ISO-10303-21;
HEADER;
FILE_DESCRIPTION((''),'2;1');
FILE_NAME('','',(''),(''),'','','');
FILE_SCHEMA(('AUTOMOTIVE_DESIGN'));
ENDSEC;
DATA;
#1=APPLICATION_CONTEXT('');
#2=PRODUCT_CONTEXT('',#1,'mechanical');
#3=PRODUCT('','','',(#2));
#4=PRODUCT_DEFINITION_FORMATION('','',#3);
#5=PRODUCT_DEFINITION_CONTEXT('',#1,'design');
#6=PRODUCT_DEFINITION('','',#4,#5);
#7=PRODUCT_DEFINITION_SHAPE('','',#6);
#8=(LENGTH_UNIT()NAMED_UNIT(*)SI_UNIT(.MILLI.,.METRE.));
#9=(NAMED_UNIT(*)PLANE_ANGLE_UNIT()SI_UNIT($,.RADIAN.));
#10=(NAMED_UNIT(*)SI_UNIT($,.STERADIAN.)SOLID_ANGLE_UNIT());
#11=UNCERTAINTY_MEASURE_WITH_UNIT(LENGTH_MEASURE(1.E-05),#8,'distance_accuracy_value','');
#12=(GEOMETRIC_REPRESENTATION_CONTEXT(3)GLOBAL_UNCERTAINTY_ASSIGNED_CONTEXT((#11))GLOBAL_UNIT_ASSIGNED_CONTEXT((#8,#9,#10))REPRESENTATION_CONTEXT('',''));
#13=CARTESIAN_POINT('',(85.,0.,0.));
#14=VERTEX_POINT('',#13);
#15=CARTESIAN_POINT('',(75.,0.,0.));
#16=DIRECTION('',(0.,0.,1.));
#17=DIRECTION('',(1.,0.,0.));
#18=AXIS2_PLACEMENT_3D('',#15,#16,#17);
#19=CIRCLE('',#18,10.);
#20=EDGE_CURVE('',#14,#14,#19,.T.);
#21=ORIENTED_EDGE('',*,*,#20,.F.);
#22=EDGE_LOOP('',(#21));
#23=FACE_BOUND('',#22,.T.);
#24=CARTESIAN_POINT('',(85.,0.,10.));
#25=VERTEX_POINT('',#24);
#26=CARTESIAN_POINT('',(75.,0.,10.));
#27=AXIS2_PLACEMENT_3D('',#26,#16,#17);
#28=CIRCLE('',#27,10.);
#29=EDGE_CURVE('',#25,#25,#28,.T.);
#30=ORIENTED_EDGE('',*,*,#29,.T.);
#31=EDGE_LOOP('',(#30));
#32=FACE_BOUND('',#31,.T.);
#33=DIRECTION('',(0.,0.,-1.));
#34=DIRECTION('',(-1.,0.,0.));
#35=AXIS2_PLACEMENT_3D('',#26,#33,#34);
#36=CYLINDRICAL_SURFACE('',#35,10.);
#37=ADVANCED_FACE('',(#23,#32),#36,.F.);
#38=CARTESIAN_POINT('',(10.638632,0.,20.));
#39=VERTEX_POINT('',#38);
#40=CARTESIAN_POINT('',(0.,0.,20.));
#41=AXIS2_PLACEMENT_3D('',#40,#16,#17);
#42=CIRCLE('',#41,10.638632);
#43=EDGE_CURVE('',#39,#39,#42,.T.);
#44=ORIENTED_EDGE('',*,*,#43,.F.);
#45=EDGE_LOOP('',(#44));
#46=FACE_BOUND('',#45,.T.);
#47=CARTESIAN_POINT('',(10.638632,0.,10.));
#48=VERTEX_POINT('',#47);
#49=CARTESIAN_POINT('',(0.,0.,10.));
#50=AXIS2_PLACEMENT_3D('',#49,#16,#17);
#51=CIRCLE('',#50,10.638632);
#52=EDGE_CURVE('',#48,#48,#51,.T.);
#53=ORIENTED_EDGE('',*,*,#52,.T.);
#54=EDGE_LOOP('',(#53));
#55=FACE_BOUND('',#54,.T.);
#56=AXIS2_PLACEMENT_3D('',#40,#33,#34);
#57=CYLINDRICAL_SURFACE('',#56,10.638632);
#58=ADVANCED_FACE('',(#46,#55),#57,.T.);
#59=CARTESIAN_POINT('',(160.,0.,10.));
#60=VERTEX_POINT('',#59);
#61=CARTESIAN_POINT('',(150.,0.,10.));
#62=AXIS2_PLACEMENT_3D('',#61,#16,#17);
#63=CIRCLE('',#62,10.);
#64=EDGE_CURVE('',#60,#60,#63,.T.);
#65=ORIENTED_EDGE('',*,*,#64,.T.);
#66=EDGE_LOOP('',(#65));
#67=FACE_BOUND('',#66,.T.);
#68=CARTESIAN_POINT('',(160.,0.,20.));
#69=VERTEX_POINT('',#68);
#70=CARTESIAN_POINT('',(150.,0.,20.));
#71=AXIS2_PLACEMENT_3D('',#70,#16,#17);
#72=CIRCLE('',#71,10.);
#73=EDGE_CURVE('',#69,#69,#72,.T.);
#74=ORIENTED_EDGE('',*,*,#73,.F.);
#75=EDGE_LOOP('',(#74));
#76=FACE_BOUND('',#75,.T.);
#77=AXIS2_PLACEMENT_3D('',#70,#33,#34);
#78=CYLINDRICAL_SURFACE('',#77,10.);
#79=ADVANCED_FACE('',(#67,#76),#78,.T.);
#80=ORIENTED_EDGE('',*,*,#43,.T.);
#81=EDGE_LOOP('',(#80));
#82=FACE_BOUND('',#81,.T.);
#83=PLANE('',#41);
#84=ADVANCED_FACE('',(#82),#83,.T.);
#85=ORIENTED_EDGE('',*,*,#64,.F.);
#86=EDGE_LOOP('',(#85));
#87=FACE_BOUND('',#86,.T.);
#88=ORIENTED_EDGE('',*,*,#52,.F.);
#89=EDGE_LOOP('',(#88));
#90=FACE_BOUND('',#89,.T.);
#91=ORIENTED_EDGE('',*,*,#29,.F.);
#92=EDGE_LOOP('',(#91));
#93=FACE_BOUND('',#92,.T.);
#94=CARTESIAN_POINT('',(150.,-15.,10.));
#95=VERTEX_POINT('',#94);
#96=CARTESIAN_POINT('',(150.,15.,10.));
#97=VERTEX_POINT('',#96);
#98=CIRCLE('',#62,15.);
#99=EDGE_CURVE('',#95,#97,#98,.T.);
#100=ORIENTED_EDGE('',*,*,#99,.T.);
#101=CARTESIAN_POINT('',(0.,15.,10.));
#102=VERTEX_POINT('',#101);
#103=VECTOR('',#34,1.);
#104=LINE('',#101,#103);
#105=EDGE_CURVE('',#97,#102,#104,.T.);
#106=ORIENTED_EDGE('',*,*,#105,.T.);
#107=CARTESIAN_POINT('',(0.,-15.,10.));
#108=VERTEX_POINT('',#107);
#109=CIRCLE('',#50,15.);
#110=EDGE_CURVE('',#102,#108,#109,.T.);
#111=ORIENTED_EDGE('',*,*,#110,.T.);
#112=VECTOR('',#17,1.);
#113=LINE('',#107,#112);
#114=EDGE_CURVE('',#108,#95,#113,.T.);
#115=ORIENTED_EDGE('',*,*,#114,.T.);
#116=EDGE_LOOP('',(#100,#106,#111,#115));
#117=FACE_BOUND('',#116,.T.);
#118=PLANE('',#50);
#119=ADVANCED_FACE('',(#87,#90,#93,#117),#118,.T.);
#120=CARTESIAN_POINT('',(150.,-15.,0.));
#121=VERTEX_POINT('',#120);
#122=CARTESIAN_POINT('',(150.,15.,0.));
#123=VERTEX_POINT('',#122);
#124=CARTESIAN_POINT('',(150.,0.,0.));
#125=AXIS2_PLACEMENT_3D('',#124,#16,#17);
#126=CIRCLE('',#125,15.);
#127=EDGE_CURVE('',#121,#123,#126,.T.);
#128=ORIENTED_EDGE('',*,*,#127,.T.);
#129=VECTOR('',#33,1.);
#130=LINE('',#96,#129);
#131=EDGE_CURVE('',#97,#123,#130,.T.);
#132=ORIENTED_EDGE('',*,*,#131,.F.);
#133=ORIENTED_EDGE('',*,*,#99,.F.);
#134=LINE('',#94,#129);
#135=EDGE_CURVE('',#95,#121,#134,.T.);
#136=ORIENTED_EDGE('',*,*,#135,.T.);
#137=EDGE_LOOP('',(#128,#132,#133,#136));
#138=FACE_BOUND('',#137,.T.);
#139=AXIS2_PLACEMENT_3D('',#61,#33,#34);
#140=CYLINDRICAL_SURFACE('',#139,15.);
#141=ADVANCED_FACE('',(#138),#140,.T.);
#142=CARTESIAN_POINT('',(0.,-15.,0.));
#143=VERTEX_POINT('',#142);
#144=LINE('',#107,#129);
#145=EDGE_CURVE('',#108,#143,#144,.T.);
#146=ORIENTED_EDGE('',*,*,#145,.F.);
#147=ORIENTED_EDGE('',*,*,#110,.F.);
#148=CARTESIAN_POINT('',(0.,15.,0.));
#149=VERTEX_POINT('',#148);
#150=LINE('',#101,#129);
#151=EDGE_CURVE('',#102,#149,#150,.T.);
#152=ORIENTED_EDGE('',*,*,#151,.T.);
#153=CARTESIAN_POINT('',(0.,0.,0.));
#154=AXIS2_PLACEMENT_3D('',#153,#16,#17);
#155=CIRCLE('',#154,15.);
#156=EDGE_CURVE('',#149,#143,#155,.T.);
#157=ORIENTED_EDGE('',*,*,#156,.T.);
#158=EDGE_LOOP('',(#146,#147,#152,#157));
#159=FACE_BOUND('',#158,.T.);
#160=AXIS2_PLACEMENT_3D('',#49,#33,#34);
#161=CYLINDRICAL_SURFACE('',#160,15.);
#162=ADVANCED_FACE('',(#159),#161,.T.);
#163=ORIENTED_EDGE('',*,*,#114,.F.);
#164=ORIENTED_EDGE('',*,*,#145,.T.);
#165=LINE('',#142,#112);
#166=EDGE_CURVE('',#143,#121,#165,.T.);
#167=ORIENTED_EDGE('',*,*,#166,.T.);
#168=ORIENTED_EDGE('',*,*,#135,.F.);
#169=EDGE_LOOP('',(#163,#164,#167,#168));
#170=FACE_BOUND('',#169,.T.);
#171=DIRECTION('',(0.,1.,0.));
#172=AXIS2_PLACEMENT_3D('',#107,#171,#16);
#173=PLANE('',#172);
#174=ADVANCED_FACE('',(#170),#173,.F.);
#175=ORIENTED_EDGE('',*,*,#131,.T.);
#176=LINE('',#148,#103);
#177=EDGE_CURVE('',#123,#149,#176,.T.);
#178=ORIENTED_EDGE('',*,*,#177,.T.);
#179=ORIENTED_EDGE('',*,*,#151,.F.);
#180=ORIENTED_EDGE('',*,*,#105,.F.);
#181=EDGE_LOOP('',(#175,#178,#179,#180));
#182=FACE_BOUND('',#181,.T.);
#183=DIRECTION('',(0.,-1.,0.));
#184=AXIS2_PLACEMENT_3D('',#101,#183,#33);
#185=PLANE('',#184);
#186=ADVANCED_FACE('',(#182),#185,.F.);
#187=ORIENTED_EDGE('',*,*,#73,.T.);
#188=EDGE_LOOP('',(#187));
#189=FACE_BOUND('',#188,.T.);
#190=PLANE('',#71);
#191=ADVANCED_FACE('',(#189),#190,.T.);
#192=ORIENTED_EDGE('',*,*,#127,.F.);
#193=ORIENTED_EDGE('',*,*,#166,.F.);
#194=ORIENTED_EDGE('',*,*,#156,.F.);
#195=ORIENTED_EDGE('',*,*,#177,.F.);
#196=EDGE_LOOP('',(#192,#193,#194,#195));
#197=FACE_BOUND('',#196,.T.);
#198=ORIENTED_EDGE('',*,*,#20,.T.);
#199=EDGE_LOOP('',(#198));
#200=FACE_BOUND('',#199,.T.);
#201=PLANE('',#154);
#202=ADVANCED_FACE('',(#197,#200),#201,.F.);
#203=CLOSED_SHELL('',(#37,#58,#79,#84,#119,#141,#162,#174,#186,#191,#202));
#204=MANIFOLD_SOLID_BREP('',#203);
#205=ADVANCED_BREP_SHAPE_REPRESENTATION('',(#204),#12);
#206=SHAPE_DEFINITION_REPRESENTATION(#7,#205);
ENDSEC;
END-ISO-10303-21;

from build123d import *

# Parameters (mm, degrees)
SKETCH1_R           = 10
BOSS_EXTRUDE1_DEPTH = 10
SKETCH2_R           = 10.638632356
SKETCH2_R_2         = 10
BOSS_EXTRUDE2_DEPTH = 10


with BuildPart() as part:
    # Sketch1 → Boss-Extrude1 (new body)
    with BuildSketch(Plane.XY):
        with BuildLine():
            Line((0, 15), (150, 15))
            ThreePointArc((150, 15), (165, 0), (150, -15))
            Line((150, -15), (0, -15))
            ThreePointArc((0, -15), (-15, 0), (0, 15))
        make_face()
        with Locations((75, 0)):
            Circle(SKETCH1_R, mode=Mode.SUBTRACT)
    extrude(amount=BOSS_EXTRUDE1_DEPTH)

    # Sketch2 → Boss-Extrude2 (add)
    with BuildSketch(Plane.XY.offset(10)):
        Circle(SKETCH2_R)
        with Locations((150, 0)):
            Circle(SKETCH2_R_2)
    extrude(amount=BOSS_EXTRUDE2_DEPTH)


solid = part.part
